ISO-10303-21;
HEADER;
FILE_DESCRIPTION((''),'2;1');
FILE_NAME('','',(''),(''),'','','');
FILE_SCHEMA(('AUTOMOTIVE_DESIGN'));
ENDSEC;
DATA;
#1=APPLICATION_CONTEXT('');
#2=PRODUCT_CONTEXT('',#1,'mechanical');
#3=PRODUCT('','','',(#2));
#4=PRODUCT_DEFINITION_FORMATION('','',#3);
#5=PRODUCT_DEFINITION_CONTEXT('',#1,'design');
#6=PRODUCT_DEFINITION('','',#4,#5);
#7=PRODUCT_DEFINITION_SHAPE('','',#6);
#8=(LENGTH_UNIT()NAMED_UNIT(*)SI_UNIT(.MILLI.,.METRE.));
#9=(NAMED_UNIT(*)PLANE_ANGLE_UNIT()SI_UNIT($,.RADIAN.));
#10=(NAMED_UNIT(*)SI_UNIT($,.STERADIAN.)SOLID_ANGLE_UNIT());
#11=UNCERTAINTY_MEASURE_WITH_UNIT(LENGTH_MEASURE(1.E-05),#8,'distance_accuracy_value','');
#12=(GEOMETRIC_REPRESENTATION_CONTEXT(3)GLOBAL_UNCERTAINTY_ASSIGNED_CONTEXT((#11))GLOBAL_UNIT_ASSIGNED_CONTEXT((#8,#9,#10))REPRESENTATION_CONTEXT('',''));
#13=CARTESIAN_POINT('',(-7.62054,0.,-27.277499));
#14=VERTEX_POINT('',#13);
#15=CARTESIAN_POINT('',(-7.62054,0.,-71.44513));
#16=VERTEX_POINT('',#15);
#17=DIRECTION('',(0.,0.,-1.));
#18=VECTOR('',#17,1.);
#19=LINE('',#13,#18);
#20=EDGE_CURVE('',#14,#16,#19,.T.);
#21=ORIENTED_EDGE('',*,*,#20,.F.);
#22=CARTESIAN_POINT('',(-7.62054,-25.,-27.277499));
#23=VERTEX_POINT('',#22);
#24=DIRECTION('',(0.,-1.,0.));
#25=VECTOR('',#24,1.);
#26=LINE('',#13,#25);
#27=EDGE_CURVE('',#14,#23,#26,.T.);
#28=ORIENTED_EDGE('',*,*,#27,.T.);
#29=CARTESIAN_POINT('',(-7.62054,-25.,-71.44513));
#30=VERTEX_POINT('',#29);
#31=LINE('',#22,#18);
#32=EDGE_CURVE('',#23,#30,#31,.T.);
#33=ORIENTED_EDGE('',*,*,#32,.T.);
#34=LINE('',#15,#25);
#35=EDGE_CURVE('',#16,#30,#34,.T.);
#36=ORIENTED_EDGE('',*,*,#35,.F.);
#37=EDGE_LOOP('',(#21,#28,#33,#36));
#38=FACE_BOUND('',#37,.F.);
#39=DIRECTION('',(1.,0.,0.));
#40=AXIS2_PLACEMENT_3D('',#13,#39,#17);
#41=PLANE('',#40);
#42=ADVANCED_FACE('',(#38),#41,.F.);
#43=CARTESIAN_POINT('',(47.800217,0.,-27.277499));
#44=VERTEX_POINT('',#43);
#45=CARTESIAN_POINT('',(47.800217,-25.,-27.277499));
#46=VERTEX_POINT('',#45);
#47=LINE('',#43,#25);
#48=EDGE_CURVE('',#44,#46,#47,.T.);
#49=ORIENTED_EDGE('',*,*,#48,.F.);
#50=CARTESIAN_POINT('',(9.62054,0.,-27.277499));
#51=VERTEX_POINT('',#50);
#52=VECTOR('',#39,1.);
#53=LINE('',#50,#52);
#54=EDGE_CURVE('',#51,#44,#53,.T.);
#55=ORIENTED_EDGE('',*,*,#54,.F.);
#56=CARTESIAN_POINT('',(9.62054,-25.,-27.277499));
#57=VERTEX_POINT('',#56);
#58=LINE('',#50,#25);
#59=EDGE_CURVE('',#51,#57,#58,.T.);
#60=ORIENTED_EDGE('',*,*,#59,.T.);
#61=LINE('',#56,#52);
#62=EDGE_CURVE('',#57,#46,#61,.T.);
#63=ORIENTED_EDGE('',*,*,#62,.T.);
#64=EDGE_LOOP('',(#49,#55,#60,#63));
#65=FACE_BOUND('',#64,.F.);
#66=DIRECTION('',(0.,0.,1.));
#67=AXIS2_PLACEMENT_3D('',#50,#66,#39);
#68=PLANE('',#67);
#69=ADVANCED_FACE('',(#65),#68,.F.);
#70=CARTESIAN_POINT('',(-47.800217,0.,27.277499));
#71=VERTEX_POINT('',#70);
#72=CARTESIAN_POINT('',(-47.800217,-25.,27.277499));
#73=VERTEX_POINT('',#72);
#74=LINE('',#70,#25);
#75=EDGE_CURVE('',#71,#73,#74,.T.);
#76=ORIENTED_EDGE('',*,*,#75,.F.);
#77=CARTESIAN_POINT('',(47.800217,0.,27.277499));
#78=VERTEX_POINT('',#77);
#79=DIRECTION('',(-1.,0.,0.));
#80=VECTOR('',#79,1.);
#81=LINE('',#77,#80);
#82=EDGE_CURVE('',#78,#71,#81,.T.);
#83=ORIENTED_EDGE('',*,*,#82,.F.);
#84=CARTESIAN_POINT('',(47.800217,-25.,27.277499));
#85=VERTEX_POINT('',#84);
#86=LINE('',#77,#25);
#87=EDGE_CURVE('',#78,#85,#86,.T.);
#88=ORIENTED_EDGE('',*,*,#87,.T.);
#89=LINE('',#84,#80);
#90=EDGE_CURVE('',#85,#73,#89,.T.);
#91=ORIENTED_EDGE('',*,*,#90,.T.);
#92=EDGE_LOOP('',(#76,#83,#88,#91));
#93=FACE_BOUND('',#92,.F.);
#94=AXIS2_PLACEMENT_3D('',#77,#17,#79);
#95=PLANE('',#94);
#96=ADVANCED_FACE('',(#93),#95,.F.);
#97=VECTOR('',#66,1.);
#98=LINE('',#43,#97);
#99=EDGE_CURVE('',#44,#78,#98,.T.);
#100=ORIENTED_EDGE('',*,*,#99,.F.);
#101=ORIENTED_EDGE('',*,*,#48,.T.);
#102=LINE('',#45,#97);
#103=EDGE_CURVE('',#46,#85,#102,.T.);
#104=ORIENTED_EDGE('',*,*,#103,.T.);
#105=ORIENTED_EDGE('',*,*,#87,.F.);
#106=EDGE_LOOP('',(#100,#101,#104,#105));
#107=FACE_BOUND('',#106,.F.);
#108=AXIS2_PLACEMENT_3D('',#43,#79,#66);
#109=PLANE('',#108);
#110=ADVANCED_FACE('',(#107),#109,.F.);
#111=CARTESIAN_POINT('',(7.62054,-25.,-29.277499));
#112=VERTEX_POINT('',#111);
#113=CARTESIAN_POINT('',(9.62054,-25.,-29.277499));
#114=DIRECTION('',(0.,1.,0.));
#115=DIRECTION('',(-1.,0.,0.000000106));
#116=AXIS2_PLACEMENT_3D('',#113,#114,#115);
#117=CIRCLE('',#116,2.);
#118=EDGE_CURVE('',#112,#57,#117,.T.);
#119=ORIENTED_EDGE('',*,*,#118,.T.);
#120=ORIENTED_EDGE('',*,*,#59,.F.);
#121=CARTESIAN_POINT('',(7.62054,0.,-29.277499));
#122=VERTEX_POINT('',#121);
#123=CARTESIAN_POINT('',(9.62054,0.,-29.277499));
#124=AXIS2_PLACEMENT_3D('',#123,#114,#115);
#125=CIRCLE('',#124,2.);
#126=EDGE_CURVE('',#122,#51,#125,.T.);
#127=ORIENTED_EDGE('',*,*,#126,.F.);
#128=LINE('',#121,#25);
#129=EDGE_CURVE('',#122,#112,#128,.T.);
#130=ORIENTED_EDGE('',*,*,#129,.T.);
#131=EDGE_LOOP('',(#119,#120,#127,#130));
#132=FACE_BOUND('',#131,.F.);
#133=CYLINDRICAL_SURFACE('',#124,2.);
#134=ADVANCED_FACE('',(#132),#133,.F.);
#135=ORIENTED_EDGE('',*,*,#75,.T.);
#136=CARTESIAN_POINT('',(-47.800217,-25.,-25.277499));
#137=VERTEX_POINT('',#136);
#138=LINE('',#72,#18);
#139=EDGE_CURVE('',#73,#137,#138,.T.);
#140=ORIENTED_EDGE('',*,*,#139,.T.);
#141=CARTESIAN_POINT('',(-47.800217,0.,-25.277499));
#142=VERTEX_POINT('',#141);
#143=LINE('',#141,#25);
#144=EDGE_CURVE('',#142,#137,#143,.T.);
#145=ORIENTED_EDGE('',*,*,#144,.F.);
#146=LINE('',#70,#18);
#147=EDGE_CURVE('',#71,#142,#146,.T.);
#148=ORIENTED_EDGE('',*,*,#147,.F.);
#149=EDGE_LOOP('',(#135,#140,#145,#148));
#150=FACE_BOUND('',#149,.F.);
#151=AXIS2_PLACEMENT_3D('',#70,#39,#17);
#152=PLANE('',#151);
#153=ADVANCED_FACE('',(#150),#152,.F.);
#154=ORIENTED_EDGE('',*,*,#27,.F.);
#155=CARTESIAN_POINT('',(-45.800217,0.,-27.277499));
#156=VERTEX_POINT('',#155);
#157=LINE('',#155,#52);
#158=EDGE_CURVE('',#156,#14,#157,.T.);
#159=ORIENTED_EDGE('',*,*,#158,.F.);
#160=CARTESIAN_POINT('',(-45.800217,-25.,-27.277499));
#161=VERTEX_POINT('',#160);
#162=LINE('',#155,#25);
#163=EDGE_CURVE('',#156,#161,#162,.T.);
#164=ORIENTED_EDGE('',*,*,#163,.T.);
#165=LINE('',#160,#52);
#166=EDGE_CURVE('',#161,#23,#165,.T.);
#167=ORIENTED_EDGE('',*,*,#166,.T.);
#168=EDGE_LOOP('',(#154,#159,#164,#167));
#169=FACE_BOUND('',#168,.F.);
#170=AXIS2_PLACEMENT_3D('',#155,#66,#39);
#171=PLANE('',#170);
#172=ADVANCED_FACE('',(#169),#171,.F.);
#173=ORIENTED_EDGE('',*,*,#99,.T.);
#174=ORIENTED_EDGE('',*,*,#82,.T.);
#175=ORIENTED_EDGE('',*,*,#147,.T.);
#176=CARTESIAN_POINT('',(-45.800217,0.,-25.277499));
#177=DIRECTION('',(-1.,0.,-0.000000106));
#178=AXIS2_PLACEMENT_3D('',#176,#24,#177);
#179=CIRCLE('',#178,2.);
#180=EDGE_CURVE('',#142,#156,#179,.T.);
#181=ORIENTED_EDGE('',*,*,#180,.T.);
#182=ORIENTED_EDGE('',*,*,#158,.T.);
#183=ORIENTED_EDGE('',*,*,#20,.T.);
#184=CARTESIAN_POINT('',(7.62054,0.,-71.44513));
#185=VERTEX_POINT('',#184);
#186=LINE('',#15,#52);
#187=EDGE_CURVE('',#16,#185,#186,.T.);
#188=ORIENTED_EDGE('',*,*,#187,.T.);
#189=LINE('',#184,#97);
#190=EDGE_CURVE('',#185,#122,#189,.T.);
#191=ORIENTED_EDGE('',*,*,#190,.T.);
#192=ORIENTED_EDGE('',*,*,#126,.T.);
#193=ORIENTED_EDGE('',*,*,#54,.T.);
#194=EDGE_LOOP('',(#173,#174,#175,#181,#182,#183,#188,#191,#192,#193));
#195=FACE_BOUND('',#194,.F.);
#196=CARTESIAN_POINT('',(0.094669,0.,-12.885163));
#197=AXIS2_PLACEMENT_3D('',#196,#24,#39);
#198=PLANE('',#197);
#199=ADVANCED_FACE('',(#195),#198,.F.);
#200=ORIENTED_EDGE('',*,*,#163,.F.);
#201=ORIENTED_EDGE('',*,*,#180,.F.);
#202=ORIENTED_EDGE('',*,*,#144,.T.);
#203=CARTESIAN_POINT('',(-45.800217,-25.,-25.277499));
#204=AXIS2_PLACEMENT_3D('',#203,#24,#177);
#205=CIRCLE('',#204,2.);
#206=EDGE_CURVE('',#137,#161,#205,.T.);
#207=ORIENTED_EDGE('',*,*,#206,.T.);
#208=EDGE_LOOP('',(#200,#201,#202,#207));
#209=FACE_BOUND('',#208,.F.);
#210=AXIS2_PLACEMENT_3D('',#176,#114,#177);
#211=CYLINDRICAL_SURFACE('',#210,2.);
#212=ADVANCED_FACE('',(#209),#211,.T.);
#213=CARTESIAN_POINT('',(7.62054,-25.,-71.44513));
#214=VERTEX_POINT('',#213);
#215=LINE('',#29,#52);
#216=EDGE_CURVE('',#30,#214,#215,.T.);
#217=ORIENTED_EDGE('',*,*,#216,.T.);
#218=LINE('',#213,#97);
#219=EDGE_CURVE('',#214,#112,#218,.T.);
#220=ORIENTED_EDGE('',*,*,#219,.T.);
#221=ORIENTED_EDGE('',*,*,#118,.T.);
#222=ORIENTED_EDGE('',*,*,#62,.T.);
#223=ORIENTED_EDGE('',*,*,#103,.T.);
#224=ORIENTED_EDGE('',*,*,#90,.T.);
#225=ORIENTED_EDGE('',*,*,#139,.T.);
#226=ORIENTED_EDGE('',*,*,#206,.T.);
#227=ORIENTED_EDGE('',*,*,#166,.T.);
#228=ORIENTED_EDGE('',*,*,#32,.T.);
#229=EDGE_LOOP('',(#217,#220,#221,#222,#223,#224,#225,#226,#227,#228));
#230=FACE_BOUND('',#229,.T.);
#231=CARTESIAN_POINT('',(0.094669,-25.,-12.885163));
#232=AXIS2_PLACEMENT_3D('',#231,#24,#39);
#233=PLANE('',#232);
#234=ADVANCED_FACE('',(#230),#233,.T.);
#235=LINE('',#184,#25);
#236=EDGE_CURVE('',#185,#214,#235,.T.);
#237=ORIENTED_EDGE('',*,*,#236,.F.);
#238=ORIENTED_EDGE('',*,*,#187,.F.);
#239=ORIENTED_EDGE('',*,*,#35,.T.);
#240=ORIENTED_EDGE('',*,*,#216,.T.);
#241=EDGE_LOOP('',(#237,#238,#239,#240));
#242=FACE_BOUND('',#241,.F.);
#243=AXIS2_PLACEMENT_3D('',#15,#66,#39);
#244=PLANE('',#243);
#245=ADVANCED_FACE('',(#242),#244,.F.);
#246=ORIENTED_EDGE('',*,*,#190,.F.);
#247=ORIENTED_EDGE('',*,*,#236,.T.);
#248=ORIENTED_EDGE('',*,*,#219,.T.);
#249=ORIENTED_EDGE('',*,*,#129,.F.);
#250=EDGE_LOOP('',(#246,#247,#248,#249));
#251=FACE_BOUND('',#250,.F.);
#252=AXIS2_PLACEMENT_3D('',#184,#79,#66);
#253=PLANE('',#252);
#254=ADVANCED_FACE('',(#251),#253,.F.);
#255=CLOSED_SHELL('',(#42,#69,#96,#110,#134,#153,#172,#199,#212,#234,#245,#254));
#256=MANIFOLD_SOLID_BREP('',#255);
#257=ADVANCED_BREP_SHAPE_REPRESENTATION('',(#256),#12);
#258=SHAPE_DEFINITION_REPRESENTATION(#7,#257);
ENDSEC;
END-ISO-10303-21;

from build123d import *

# Parameters (mm, degrees)
F1_DEPTH = 25


with BuildPart() as f1:
    # F0 (on Front) → F1 (new body)
    with BuildSketch(Plane.XZ):
        with BuildLine():
            Line((9.62054, -27.277499), (47.800217, -27.277499))
            Line((47.800217, -27.277499), (47.800217, 27.277499))
            Line((47.800217, 27.277499), (-47.800217, 27.277499))
            Line((-47.800217, 27.277499), (-47.800217, -25.277499))
            ThreePointArc((-47.800217, -25.277499), (-47.21443, -26.691713), (-45.800217, -27.277499))
            Line((-45.800217, -27.277499), (-7.62054, -27.277499))
            Line((-7.62054, -27.277499), (-7.62054, -71.44513))
            Line((-7.62054, -71.44513), (7.62054, -71.44513))
            Line((7.62054, -71.44513), (7.62054, -29.277499))
            ThreePointArc((7.62054, -29.277499), (8.206326, -27.863286), (9.62054, -27.277499))
        make_face()
    extrude(amount=F1_DEPTH)


solid = f1.part
